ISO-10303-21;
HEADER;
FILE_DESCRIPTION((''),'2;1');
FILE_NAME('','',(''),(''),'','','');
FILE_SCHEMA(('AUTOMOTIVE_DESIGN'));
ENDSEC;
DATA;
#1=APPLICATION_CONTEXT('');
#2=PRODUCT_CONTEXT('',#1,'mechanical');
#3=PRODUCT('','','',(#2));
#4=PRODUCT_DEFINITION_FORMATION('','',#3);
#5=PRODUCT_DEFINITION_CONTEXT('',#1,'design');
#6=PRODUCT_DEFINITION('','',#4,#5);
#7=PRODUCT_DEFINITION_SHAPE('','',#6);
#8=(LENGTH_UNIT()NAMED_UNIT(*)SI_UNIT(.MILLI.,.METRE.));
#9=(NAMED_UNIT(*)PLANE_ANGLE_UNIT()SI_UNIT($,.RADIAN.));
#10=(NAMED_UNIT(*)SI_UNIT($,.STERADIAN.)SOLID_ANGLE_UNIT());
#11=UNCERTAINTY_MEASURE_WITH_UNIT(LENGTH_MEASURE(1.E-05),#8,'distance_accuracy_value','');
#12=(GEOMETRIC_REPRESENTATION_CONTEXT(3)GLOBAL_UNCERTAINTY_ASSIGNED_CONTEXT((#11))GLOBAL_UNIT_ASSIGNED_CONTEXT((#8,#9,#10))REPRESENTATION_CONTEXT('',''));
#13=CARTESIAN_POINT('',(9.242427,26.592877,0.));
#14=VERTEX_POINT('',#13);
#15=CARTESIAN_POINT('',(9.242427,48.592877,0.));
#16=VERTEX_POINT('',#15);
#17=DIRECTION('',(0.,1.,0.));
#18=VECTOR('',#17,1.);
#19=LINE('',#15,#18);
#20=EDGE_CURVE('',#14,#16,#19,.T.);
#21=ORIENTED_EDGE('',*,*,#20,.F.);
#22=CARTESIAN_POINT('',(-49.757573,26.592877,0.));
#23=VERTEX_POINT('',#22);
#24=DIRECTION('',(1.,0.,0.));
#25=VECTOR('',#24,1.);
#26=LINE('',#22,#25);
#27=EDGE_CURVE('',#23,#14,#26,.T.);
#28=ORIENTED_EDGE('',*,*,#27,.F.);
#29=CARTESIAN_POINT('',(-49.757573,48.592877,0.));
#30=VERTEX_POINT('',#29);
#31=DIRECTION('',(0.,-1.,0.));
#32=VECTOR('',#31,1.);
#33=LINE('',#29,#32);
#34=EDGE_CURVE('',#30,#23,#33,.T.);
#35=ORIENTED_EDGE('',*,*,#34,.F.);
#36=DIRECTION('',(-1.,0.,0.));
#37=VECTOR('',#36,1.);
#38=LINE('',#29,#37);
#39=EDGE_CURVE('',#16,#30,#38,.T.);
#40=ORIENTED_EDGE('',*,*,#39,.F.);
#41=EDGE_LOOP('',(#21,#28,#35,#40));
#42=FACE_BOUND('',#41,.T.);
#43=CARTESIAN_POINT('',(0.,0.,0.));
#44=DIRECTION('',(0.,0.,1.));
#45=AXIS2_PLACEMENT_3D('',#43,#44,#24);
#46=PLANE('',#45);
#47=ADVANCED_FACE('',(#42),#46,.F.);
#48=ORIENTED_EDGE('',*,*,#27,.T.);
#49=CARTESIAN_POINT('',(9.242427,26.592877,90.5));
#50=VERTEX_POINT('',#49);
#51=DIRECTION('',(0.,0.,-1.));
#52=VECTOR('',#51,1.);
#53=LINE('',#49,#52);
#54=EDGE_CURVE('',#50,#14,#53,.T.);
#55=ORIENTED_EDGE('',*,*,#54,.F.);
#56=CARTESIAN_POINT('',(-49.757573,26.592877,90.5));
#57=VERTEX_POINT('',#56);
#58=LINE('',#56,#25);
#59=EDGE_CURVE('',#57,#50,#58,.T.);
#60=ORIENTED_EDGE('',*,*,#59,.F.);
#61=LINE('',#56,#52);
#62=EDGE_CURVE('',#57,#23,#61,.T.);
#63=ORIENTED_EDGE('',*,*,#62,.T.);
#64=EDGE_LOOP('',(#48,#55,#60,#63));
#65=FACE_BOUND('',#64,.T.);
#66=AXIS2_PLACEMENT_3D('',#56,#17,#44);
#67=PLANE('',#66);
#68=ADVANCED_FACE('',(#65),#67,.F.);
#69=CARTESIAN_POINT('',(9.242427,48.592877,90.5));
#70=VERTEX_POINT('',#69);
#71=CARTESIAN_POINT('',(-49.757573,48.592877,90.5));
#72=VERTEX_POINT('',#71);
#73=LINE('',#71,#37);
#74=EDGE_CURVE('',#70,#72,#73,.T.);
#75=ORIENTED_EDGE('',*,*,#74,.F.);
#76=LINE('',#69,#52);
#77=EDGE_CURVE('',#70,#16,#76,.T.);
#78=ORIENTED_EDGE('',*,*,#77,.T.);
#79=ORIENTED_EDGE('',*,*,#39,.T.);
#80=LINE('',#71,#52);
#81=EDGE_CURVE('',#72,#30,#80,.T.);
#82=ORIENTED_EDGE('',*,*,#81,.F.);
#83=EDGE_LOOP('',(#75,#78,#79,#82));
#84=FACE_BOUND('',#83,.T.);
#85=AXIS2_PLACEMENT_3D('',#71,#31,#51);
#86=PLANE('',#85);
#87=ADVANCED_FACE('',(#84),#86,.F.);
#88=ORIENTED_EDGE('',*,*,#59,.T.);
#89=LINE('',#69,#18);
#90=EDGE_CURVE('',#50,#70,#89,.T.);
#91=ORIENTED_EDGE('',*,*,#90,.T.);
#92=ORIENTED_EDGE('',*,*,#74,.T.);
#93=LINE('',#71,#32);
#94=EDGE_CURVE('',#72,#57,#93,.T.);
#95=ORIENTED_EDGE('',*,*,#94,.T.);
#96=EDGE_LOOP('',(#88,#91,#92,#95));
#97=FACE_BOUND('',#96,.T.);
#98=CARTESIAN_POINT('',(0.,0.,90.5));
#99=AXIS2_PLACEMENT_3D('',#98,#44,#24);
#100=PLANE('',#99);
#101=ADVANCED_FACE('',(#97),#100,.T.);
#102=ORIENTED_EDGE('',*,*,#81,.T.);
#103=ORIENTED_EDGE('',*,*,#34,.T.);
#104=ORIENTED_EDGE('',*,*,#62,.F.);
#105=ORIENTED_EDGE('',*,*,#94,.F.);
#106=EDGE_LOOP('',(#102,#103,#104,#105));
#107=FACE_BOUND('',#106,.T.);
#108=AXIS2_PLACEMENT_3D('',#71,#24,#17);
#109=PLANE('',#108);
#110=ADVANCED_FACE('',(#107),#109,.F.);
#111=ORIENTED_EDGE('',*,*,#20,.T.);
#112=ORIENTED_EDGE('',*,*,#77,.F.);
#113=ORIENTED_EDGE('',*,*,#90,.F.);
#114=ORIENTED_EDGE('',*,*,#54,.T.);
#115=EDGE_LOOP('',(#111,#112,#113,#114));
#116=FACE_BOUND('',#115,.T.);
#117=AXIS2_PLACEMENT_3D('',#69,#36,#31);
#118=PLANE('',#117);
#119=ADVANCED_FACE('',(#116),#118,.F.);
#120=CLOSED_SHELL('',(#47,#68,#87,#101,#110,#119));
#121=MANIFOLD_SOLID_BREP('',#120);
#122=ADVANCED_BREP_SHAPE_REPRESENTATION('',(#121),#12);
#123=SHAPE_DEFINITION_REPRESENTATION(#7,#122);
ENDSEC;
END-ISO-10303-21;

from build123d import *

# Parameters (mm, degrees)
SKETCH_1_W      = 59
SKETCH_1_H      = 22
EXTRUDE_1_DEPTH = 90.5


with BuildPart() as part:
    # 草圖1 → 填料-伸長1 (new body)
    with BuildSketch(Plane.XY):
        with Locations((-20.257572798, 37.592877493)):
            Rectangle(SKETCH_1_W, SKETCH_1_H)
    extrude(amount=EXTRUDE_1_DEPTH)


solid = part.part
